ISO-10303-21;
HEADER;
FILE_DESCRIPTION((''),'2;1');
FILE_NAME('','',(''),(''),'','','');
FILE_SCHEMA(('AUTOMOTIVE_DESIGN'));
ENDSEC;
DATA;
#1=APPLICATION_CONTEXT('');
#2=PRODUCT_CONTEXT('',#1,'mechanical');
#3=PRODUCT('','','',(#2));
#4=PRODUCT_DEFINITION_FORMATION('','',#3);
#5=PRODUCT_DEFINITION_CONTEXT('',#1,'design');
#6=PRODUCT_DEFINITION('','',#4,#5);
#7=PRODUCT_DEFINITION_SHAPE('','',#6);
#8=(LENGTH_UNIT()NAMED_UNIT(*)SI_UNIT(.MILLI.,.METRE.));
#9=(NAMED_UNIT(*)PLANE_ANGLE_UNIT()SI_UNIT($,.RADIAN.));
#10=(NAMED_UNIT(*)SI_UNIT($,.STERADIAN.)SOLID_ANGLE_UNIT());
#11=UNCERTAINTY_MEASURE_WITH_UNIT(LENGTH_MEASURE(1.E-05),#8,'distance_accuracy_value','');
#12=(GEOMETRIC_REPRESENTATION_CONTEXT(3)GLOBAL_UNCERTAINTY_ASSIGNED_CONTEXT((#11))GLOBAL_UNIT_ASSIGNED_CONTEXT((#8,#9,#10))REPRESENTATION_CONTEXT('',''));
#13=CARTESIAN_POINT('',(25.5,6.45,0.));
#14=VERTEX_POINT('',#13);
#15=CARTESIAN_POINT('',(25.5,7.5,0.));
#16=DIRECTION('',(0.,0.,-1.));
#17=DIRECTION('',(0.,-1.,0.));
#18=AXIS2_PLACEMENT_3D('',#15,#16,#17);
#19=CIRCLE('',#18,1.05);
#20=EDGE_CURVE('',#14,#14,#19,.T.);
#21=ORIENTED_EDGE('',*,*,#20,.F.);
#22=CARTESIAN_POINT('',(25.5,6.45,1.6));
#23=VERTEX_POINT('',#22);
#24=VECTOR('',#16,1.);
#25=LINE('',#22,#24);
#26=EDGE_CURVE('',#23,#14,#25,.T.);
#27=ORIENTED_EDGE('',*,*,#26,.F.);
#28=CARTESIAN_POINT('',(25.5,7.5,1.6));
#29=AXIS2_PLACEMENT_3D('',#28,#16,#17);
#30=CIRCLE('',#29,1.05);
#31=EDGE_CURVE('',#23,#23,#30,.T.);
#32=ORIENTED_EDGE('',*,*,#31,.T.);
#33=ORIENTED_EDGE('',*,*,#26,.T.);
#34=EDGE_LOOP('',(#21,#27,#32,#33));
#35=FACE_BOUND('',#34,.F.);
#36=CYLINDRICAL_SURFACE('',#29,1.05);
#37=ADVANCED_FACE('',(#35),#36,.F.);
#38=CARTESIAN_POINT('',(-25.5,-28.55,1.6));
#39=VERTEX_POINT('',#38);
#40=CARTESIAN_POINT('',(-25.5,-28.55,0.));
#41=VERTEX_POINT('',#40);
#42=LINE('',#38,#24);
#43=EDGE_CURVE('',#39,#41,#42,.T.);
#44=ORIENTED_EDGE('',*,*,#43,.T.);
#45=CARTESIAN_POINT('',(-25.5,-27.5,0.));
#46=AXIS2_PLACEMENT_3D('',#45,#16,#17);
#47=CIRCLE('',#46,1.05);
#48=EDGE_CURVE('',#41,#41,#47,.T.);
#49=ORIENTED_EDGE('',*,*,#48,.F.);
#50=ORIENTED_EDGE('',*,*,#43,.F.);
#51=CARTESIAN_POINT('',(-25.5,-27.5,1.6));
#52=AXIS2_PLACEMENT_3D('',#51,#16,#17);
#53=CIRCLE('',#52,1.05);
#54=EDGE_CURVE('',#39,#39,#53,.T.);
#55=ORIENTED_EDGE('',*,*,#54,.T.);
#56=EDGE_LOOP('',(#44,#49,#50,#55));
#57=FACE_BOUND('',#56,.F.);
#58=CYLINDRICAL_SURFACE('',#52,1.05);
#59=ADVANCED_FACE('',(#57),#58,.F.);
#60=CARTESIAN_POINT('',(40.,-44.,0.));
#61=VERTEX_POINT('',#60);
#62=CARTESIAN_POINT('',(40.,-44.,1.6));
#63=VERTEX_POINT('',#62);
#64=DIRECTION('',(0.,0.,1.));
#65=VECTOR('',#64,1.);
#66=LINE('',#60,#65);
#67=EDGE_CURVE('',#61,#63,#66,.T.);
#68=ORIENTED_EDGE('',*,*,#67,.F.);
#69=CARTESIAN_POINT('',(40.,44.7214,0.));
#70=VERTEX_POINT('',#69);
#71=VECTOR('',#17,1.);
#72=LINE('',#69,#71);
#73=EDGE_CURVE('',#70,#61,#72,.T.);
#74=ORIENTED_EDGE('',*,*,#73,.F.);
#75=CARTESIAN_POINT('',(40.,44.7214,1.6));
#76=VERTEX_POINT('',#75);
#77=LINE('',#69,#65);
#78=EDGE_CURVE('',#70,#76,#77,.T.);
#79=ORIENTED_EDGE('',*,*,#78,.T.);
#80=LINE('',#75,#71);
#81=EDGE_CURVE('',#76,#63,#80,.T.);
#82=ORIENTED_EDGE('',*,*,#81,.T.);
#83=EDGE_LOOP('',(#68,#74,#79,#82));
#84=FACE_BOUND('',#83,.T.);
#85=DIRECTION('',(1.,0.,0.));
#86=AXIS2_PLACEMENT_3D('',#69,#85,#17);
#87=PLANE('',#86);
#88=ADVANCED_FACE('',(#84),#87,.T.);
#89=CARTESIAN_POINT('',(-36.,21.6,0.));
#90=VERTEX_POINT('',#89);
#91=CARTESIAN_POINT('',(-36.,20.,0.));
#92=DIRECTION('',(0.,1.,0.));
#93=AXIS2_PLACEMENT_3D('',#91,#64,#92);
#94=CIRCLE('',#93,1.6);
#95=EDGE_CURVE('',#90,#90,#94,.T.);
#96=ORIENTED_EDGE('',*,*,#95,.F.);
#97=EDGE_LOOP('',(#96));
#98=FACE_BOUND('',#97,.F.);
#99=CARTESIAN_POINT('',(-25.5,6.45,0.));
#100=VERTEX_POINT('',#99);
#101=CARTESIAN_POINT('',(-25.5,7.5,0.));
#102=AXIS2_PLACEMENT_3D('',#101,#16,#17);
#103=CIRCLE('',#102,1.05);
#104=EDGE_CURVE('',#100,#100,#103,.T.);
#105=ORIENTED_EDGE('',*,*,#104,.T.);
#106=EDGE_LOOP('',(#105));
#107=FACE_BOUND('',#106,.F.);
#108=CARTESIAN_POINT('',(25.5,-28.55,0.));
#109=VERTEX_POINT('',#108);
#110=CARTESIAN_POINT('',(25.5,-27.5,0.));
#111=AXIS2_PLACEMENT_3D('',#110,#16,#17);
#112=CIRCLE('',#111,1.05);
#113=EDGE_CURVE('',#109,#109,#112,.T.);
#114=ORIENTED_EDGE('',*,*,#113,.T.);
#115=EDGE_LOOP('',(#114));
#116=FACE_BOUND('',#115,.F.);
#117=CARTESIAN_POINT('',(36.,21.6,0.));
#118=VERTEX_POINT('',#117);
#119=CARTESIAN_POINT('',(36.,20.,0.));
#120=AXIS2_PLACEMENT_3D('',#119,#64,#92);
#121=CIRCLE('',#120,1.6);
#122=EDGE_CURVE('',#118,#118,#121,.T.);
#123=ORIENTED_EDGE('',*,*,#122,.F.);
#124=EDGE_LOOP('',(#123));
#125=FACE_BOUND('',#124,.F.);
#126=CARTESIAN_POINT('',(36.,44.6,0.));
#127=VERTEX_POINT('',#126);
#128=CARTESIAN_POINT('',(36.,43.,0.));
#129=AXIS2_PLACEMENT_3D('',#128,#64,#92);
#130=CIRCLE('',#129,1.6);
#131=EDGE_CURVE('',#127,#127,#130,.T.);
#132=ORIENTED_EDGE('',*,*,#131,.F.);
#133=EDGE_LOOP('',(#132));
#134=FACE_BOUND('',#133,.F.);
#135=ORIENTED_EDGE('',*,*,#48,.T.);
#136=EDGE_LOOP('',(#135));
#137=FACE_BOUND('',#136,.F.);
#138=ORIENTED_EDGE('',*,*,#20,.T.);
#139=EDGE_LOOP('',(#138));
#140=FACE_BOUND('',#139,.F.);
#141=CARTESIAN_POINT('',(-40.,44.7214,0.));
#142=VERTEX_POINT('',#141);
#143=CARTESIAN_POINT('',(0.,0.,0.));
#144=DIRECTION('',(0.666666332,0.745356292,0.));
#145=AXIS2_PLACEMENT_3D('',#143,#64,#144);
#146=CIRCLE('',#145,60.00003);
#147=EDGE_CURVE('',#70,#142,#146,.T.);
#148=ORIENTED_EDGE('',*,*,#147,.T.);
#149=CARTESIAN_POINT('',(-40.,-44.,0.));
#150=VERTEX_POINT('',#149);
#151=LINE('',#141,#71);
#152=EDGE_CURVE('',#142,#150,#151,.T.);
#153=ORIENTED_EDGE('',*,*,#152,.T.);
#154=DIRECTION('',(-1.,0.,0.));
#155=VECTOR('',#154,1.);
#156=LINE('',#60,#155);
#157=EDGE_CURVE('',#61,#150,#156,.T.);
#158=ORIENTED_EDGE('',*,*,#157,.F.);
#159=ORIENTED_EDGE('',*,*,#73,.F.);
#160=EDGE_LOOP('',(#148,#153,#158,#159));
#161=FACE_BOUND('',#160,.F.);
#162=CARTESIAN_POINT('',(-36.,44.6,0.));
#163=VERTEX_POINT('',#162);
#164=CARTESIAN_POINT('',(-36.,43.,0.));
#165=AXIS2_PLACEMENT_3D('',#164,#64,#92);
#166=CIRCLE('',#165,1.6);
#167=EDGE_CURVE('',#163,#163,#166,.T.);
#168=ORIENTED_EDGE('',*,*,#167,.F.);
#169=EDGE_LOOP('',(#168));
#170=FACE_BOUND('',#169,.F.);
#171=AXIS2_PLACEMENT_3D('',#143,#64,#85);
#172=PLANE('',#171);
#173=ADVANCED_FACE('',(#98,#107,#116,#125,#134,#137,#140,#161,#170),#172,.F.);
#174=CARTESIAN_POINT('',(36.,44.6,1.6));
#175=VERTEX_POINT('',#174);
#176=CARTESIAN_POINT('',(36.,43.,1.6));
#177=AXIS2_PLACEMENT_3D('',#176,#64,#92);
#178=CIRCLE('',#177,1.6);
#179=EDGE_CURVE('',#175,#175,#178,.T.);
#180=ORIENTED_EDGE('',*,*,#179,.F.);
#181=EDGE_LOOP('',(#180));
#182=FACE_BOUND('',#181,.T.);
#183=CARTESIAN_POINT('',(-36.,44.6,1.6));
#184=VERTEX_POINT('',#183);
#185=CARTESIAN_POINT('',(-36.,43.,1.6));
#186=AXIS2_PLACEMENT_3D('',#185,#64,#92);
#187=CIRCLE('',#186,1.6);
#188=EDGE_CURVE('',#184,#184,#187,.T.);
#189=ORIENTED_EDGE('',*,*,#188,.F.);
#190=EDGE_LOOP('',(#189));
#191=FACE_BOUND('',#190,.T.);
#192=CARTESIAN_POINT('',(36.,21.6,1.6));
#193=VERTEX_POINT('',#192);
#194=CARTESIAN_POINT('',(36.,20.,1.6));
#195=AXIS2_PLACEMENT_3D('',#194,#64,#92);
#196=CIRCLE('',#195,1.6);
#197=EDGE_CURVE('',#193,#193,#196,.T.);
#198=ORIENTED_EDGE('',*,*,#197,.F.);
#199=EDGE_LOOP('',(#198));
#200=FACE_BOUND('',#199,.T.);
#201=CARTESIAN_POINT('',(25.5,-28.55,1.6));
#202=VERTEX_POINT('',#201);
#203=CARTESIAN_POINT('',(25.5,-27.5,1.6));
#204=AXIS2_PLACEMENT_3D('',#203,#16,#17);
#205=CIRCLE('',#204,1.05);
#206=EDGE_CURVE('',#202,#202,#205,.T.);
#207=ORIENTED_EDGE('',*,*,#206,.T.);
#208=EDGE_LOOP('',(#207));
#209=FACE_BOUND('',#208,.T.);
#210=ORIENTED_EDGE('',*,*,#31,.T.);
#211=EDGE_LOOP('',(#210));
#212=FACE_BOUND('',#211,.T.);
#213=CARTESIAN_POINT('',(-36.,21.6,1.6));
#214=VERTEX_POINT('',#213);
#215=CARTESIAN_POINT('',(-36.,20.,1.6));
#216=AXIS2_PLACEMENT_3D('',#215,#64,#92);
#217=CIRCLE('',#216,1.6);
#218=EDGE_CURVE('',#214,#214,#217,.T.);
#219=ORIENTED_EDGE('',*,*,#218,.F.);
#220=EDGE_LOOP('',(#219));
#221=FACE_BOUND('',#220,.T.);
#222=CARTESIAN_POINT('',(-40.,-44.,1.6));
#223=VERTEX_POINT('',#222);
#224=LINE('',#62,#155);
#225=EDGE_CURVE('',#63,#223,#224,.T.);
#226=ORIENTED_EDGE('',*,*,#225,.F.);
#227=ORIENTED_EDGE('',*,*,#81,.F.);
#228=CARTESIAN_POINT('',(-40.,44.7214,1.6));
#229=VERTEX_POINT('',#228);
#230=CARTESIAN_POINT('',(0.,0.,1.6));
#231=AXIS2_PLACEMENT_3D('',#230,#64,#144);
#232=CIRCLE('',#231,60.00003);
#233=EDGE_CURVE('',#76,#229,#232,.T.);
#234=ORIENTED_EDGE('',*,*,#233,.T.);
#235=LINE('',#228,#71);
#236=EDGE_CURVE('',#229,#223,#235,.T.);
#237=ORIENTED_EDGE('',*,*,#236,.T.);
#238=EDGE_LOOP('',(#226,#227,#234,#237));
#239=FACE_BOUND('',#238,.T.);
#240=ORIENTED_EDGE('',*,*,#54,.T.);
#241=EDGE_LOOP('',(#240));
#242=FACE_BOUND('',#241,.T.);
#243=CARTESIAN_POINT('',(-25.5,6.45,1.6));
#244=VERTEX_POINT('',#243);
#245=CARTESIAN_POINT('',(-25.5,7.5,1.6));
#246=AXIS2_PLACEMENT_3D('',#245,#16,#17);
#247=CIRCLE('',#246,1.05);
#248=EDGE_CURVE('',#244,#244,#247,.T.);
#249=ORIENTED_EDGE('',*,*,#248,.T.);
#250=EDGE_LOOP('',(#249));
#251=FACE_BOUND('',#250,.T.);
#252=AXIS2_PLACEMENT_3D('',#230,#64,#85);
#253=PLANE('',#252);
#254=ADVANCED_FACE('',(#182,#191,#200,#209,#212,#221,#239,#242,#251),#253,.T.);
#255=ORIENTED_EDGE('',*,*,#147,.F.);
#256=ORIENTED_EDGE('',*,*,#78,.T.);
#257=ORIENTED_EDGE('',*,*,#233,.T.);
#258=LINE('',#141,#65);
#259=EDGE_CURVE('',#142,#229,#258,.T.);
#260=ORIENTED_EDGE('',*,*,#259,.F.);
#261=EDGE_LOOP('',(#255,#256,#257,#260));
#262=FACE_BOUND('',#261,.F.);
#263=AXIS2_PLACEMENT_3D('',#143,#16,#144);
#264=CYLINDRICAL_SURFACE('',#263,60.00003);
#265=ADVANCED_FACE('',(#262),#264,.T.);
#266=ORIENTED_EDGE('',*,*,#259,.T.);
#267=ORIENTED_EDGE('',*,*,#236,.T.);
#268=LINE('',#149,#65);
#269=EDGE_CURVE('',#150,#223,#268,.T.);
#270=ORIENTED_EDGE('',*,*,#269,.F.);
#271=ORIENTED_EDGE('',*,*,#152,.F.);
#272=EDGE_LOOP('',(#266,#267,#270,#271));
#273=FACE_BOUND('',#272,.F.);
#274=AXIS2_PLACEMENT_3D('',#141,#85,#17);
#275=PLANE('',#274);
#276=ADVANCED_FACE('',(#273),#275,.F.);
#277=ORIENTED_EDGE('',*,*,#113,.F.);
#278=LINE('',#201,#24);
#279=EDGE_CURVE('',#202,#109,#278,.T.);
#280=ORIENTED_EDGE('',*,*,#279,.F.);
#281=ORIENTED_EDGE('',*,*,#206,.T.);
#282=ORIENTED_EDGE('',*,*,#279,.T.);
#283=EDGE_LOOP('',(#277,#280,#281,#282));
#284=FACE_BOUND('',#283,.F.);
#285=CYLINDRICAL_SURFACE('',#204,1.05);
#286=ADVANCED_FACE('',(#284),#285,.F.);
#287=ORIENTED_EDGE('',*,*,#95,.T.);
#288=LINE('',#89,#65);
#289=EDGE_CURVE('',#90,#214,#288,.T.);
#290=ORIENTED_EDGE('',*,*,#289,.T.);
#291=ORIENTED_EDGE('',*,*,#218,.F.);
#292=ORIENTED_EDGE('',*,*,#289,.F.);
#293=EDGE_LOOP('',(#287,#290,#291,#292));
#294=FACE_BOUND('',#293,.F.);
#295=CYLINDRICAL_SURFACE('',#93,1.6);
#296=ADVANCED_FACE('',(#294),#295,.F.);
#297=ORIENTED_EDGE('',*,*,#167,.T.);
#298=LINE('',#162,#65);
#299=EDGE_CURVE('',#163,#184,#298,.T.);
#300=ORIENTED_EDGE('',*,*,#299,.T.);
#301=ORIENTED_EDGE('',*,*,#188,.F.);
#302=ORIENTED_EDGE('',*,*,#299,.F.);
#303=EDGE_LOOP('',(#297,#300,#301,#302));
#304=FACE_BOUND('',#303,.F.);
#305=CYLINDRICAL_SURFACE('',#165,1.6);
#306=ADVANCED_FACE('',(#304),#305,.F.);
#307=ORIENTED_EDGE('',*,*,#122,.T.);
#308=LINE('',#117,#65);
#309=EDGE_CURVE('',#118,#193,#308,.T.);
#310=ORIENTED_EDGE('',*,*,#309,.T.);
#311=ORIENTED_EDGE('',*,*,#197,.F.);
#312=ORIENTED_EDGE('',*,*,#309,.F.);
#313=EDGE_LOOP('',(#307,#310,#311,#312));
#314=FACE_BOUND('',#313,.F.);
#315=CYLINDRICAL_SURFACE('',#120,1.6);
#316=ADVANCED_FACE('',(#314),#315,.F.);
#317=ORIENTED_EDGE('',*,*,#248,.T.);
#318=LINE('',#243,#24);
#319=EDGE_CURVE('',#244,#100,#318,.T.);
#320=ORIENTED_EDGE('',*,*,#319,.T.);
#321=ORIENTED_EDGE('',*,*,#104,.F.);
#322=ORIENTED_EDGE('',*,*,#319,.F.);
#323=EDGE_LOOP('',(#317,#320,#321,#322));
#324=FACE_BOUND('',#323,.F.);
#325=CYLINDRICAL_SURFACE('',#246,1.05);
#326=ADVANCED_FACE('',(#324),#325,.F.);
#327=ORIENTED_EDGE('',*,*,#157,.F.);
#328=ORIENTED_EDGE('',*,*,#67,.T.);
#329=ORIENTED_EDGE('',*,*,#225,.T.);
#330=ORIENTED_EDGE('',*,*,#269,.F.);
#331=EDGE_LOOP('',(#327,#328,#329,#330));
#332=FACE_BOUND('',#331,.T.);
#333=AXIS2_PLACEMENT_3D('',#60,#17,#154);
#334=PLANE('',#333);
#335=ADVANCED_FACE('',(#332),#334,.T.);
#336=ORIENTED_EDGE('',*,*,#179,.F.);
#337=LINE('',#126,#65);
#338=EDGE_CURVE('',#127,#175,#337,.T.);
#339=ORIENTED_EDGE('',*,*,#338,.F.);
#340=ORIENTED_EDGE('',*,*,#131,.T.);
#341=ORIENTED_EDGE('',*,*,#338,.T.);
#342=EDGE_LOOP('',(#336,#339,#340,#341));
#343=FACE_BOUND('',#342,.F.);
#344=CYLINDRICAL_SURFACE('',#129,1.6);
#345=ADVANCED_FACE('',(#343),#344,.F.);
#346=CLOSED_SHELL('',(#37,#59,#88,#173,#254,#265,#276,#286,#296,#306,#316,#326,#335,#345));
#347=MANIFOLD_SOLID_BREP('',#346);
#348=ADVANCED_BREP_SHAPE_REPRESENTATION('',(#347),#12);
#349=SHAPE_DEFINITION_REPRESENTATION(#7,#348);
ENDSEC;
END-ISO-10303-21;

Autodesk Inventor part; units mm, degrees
ref_plane "YZ Plane" through (0, 0, 0) normal (1, 0, 0) x (0, 1, 0)
ref_plane "XZ Plane" through (0, 0, 0) normal (0, 1, 0) x (-1, 0, 0)
ref_plane "XY Plane" through (0, 0, 0) normal (0, 0, 1) x (1, 0, 0)
sketch "スケッチ1" plane through (0, 0, 0) normal (0, 0, 1) x (1, 0, 0)
  circle A0 centre (0, 0) radius 60 construction
  line L0 (-40, 60) -> (40, 60) construction
  line L1 (40, 60) -> (40, -60) construction
  line L2 (40, -60) -> (-40, -60) construction
  line L3 (-40, -60) -> (-40, 60) construction
  arc A1 (40, 44.7214) -> (-40, 44.7214) centre (0, 0) ccw
  line L4 (-40, 44.7214) -> (-40, -44.7214)
  line L5 (40, 44.7214) -> (40, -44.7214)
  arc A2 (-40, -44.7214) -> (40, -44.7214) centre (0, 0) ccw
  line L6 (40, -44) -> (-40, -44)
  point P0 (0, 60)
  dimension "d0" = 120
  dimension "d1" = 80
  dimension "d41" = 44
extrude "基板" add sketch "スケッチ1" along normal blind 1.6 contours L5 L6 L4 A1
sketch "スケッチ2" plane through (0, 0, 1.6) normal (0, 0, 1) x (1, 0, 0)
  line L0 (0, 110.7931) -> (0, -110.7931) construction
  line L1 (-40, 44.7214) -> (-40, -44) construction
  line L2 (-63.4163, -10) -> (63.4163, -10) construction
  point P0 (0, 0)
  point P1 (0, 0)
  point P2 (0, 0)
  point P3 (-42.5, -49.1808)
  point P4 (-25.5, -27.5)
  point P5 (-25.5, 7.5)
  point P6 (25.5, -27.5)
  point P7 (25.5, 7.5)
  point P8 (0, -10)
  point P9 (-40, -44)
  dimension "BLACKET_SPAN" = 35
  dimension "d40" = 10
  dimension "BLACKET_W" = 51
hole "モータ取付穴" at (-25.5, -27.5, 1.6) at (-25.5, 7.5, 1.6) at (25.5, -27.5, 1.6) at (25.5, 7.5, 1.6) direction (0, 0, -1) diameter 2.1 end through all
sketch "スケッチ6" plane through (0, 0, 0) normal (0, 0, -1) x (-1, 0, 0)
  line L0 (0, 0) -> (0, 96.2051) construction
  point P0 (36, 43)
  point P1 (-36, 43)
  point P2 (-36, 20)
  point P3 (36, 20)
  dimension "CONN_W" = 72
  dimension "CONN_SPAN" = 23
  dimension "CONN_L1" = 43
hole "連結穴" at (-36, 43, 0) at (36, 43, 0) at (36, 20, 0) at (-36, 20, 0) direction (0, 0, 1) diameter 3.2 end through all
properties part number "BaseBoard-SPG27"
